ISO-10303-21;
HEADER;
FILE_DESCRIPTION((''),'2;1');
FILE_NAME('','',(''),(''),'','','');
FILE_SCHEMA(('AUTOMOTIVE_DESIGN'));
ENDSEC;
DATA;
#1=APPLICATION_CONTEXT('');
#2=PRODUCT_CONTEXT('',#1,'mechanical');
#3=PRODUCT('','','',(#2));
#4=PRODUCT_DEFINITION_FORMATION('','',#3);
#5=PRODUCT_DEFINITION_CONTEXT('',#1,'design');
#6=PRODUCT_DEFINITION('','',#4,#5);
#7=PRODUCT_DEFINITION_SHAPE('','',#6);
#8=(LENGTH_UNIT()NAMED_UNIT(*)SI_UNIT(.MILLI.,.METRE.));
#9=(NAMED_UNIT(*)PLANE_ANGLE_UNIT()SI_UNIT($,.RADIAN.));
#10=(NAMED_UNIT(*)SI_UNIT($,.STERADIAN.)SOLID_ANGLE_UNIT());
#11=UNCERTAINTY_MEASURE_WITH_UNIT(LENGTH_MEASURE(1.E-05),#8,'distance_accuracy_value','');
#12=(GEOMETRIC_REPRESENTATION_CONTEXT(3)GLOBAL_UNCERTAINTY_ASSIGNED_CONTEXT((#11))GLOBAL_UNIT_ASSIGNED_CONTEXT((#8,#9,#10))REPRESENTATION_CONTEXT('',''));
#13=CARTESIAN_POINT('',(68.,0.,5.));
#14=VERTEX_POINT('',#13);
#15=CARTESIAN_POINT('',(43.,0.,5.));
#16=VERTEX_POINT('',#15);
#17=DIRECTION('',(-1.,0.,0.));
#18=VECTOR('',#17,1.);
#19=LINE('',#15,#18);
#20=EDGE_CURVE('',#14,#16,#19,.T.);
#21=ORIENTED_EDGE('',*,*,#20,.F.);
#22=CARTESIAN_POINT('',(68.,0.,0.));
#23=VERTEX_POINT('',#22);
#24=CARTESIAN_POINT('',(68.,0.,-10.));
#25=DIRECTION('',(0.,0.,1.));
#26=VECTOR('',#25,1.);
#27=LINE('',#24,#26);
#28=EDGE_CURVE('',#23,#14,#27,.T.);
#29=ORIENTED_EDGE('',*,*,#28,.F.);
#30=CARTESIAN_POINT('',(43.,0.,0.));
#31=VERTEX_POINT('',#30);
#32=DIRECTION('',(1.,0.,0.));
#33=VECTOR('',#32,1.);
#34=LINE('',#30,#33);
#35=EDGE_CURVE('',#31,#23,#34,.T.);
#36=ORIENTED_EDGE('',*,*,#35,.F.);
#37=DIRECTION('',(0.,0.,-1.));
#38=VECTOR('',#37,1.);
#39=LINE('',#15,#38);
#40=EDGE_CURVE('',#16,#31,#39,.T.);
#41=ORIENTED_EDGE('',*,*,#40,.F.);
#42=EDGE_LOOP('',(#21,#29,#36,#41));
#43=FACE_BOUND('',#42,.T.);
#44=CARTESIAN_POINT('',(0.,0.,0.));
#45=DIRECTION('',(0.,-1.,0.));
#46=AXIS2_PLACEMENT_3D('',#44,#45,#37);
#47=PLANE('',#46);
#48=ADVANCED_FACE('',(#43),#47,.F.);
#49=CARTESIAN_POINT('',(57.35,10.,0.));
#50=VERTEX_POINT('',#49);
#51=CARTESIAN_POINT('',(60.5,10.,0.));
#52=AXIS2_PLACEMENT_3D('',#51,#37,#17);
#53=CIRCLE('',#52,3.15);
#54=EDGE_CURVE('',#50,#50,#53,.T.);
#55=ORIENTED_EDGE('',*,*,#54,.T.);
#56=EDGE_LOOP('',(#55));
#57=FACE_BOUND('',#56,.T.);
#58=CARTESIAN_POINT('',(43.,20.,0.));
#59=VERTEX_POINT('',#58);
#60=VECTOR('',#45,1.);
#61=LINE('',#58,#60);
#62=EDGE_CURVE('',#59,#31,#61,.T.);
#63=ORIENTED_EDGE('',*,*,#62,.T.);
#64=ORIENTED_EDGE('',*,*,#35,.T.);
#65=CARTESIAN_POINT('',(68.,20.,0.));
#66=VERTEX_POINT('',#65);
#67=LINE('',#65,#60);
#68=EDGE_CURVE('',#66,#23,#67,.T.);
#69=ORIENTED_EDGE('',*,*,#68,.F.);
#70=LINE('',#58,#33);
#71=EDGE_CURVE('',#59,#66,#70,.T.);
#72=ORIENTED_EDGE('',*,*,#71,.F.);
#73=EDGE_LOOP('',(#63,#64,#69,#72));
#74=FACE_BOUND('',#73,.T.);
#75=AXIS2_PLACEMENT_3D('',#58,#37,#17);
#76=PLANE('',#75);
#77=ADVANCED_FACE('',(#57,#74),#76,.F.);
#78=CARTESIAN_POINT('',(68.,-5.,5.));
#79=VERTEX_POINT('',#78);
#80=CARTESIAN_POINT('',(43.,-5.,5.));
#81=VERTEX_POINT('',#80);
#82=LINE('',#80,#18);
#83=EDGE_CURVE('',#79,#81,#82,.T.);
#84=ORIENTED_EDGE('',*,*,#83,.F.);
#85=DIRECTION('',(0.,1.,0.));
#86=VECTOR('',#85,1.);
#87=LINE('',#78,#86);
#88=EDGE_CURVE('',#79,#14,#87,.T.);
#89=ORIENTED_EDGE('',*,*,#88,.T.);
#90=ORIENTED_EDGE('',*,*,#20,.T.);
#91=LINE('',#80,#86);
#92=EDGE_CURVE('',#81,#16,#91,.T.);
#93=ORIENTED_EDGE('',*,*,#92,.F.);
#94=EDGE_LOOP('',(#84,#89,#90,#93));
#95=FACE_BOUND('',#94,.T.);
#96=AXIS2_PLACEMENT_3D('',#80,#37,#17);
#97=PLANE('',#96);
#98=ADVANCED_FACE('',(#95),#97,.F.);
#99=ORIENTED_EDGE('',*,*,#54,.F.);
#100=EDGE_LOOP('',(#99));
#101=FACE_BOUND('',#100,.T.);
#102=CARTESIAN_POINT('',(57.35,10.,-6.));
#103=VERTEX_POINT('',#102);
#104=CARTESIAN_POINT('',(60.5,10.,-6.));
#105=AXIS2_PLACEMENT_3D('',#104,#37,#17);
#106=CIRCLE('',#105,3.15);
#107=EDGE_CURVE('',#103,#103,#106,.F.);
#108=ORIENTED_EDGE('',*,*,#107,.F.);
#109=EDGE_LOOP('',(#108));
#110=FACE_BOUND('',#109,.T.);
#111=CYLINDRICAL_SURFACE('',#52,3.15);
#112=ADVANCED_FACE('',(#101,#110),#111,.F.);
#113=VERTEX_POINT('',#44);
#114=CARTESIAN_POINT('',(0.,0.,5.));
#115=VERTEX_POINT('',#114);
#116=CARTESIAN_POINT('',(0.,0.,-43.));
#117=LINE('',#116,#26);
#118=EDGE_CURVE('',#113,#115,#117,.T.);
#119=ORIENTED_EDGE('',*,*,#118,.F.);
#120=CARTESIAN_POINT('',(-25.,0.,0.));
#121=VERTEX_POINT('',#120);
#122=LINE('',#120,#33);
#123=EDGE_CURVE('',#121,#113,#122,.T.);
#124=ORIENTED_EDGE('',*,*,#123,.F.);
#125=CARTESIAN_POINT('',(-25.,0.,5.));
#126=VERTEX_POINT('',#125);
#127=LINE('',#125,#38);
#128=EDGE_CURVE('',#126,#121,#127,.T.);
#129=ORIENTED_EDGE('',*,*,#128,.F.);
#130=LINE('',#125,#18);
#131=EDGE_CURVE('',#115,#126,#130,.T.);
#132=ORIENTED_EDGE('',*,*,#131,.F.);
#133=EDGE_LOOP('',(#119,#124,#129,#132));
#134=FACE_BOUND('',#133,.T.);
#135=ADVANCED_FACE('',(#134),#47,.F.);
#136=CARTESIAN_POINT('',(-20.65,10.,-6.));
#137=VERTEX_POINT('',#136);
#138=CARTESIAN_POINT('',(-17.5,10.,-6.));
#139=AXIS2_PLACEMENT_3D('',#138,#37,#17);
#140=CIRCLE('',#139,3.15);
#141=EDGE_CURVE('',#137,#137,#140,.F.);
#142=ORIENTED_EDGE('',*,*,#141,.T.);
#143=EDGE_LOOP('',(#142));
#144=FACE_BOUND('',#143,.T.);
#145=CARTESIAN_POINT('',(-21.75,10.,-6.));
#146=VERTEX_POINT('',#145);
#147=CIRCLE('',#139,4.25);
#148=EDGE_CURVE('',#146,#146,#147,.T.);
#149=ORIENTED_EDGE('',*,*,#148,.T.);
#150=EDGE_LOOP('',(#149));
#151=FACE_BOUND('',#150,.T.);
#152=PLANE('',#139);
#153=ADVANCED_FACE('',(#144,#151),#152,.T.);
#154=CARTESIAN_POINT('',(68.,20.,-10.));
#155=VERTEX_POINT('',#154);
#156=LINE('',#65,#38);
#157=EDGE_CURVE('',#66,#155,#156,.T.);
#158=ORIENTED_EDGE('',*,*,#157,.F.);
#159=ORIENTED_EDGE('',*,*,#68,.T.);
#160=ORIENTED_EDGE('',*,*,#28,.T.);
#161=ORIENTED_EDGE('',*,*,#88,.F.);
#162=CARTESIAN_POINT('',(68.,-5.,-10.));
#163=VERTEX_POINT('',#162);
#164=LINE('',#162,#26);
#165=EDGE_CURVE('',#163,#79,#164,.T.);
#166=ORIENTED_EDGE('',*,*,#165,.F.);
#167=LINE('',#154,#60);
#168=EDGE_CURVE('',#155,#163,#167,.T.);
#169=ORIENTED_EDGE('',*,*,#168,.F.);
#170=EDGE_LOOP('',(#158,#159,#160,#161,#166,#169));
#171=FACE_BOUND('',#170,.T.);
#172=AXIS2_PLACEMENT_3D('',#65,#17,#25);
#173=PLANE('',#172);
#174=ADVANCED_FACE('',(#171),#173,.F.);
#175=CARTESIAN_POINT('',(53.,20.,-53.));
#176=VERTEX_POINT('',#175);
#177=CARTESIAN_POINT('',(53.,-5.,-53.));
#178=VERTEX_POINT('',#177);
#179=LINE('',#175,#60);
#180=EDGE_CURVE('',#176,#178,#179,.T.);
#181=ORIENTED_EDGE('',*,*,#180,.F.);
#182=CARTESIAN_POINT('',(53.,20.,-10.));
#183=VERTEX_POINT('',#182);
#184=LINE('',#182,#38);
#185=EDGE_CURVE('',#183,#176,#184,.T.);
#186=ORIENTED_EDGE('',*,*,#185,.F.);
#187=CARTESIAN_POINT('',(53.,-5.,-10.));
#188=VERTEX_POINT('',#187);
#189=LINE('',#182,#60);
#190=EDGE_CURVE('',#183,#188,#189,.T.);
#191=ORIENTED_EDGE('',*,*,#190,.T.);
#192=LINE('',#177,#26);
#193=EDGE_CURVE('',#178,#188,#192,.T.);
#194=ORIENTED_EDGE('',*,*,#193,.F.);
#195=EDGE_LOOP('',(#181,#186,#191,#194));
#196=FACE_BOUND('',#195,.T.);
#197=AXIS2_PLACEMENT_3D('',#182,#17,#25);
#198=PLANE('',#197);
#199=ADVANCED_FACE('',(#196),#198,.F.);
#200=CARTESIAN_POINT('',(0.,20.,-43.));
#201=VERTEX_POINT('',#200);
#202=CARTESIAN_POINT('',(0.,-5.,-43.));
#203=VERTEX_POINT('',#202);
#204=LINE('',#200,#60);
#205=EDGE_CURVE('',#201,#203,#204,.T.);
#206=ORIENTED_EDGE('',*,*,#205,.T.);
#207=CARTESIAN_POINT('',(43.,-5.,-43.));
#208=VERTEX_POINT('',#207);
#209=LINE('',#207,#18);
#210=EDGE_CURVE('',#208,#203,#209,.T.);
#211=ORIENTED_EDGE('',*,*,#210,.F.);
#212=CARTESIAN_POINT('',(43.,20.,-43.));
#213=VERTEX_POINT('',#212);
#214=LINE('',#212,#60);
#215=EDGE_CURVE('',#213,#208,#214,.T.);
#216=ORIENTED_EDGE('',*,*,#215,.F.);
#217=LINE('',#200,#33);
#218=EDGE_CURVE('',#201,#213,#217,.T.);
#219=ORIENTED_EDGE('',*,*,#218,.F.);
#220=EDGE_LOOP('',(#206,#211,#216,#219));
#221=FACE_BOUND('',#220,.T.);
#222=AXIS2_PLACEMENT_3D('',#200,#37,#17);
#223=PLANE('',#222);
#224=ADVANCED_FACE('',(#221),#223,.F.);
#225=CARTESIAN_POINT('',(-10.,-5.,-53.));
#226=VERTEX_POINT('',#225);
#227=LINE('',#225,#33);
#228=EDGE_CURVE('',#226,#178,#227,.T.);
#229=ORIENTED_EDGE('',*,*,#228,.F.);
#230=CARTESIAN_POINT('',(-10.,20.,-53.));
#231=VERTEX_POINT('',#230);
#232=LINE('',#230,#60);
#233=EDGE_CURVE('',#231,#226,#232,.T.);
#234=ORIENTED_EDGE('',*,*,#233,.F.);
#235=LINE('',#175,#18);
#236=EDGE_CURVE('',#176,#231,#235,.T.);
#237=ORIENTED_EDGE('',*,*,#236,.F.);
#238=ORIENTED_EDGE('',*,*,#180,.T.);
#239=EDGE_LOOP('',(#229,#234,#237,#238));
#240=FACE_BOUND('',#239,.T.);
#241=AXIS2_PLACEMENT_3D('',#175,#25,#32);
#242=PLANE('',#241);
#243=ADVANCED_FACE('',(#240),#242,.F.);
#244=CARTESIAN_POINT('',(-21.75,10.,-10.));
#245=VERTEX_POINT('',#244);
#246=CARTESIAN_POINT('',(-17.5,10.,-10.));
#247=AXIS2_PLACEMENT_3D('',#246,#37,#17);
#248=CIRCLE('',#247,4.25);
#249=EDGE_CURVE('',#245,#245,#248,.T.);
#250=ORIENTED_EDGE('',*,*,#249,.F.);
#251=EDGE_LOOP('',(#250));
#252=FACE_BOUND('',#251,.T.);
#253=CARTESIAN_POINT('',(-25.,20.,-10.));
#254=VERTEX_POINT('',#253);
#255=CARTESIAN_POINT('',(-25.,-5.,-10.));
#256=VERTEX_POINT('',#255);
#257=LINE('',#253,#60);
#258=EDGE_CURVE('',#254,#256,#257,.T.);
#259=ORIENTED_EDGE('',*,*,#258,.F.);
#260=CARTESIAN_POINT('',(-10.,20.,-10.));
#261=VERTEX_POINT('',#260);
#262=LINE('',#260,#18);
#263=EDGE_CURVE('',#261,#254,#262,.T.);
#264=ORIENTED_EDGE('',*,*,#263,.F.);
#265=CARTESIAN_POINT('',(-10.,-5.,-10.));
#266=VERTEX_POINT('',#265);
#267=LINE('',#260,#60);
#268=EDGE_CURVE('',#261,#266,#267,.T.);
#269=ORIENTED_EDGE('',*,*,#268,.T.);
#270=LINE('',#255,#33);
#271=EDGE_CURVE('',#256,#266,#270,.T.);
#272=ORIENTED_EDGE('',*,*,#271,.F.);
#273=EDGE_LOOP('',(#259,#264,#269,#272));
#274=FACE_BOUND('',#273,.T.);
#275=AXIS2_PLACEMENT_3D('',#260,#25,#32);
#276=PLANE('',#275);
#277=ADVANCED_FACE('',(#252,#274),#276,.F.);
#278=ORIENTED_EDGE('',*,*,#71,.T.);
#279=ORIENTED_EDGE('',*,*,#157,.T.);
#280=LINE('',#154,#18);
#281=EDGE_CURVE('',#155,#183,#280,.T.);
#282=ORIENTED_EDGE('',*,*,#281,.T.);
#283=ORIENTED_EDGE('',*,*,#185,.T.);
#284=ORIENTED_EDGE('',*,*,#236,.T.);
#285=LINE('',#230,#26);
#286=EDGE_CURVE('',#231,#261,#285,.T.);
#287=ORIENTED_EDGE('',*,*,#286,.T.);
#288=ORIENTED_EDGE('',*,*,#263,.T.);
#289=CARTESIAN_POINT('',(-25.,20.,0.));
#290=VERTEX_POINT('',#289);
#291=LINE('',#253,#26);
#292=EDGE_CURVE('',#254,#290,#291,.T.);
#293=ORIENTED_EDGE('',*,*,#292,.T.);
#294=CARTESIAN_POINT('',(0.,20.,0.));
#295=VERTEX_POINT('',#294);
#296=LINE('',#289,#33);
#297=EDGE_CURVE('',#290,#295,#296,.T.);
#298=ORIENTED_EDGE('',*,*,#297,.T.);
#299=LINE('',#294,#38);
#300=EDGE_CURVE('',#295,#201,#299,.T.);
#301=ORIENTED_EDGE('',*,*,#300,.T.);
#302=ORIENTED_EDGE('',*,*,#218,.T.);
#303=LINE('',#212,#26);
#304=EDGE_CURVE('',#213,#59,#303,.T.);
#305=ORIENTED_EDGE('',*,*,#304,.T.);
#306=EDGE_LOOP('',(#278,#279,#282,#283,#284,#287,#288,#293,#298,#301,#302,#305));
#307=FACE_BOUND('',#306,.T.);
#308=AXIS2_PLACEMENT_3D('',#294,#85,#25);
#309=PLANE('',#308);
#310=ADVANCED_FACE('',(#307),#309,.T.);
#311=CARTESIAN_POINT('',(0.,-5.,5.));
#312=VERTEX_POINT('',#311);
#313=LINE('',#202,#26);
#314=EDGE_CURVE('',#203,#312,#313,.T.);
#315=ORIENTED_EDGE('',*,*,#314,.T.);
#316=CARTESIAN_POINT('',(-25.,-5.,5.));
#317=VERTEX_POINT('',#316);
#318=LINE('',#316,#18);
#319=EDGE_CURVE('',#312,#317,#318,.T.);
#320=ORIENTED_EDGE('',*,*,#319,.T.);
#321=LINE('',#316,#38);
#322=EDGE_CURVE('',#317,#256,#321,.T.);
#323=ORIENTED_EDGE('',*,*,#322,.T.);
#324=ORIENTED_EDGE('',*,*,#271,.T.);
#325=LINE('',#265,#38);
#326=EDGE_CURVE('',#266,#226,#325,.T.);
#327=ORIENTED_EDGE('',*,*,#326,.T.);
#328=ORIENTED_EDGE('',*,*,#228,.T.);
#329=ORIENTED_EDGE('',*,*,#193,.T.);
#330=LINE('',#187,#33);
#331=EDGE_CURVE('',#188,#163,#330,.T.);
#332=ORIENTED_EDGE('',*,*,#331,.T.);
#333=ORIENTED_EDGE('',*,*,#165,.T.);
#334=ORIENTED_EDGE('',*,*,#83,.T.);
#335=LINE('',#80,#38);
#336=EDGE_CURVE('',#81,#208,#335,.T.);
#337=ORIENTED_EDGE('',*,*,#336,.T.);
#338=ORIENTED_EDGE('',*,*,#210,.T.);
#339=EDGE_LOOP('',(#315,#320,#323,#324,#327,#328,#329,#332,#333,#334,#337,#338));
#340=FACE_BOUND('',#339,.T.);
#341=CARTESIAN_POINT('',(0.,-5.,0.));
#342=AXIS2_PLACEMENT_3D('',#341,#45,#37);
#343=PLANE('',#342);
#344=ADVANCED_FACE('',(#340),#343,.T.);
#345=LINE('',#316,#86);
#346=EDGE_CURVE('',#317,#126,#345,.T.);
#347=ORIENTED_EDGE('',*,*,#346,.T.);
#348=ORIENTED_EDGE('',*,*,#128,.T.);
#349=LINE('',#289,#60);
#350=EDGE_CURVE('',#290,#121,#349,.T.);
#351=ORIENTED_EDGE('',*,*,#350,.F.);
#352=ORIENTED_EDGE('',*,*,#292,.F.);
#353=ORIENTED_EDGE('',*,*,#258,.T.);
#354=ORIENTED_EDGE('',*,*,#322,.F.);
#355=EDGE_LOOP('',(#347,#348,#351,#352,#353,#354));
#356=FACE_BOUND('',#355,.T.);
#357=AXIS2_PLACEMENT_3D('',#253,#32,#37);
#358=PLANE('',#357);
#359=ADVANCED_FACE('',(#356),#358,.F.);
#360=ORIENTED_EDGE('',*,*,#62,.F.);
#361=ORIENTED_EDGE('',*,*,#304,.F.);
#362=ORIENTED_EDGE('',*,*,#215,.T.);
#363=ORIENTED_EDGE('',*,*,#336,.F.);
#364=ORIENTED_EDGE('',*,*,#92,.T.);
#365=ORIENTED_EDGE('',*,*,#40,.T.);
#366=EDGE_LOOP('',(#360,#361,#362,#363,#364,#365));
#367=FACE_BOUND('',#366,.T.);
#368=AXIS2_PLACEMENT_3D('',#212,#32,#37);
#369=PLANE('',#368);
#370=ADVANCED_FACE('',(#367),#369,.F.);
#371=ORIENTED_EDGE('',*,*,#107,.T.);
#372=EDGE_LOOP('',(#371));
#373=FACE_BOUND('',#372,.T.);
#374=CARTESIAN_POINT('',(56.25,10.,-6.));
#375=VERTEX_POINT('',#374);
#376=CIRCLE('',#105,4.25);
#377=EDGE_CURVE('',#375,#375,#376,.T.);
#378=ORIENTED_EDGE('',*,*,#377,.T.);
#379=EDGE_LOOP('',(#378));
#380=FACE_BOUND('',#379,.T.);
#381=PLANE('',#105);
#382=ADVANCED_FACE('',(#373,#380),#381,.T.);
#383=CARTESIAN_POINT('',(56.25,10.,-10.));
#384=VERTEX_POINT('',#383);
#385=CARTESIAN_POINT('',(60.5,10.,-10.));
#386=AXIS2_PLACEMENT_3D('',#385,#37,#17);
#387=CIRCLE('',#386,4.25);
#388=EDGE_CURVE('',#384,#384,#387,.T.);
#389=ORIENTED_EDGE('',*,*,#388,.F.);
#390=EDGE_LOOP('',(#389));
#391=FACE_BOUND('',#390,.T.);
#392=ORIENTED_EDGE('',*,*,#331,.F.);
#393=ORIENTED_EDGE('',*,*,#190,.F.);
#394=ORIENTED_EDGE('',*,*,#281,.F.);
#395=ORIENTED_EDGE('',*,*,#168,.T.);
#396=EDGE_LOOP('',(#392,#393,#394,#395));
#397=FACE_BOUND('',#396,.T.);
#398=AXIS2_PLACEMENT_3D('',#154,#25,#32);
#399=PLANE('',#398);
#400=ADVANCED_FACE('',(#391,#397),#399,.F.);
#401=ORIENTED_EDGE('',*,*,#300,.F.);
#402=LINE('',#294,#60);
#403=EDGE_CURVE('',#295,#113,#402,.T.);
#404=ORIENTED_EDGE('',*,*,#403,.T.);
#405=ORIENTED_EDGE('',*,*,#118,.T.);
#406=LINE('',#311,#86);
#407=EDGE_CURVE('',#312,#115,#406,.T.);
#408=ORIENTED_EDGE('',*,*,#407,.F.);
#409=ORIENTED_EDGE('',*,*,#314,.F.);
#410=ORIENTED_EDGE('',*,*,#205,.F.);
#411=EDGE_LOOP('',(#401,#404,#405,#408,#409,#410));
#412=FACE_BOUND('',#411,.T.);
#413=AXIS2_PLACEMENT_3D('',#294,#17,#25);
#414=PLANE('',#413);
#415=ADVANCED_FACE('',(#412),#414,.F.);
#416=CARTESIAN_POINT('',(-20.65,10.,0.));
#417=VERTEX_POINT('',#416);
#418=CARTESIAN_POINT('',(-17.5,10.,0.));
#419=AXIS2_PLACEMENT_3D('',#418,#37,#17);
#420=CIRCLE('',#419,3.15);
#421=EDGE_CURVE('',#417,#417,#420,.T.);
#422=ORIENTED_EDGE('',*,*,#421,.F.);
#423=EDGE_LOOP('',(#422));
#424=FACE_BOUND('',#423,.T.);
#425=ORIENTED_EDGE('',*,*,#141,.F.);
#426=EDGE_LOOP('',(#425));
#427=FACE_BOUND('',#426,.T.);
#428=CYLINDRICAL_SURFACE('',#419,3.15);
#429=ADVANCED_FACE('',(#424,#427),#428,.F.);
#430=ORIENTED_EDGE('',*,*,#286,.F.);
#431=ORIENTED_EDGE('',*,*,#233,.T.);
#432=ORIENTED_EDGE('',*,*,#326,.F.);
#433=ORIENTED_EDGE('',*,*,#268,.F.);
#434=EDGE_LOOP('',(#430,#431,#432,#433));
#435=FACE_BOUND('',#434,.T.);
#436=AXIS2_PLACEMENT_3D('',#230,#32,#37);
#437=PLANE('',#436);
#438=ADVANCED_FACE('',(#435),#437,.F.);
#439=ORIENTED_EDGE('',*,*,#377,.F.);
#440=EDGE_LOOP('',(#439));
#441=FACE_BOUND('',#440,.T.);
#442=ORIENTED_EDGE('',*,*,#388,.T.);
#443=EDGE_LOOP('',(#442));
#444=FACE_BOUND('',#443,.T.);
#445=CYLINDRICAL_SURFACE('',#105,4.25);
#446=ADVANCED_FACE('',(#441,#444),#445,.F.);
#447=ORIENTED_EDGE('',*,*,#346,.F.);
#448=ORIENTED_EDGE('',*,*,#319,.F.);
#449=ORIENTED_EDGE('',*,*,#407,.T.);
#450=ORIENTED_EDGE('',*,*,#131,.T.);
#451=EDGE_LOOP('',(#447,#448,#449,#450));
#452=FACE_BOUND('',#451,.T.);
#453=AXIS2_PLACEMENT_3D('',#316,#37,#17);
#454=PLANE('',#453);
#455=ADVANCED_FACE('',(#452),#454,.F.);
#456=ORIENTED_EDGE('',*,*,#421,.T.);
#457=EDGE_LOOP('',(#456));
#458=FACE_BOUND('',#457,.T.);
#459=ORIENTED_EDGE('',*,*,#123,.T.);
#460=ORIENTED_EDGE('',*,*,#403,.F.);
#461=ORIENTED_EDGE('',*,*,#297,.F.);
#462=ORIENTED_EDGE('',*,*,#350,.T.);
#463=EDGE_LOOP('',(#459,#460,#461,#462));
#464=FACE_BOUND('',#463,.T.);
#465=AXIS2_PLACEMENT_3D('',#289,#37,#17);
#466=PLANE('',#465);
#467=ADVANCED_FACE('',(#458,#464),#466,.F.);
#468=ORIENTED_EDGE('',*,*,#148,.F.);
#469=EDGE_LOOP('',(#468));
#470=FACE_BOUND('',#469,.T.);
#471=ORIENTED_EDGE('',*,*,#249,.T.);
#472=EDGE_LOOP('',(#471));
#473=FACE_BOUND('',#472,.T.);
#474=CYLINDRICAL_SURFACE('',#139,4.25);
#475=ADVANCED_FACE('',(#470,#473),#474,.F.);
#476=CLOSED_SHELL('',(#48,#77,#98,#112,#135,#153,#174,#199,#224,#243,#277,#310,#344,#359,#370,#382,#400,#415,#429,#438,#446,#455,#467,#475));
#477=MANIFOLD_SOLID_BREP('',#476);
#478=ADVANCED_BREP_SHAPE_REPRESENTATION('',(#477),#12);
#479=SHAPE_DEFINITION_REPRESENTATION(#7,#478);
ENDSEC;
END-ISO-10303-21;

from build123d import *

# Parameters (mm, degrees)
BOSS_EXTRUDE1_DEPTH = 20
SKETCH2_R           = 3.15
CUT_EXTRUDE2_DEPTH  = 11
SKETCH3_R           = 4.25
CUT_EXTRUDE3_DEPTH  = 4
BOSS_EXTRUDE2_DEPTH = 5


with BuildPart() as part:
    # Sketch1 → Boss-Extrude1 (new body)
    with BuildSketch(Plane(origin=(0, 0, 0), x_dir=(1, 0, 0), z_dir=(0, 1, 0))):
        Polygon((0, 0), (0, 43), (43, 43), (43, 0), (68, 0), (68, 10), (53, 10), (53, 53), (-10, 53), (-10, 10), (-25, 10), (-25, 0), align=None)
    extrude(amount=BOSS_EXTRUDE1_DEPTH)

    # Sketch2 → Cut-Extrude2 (cut, through all)
    with BuildSketch(Plane(origin=(0, 0, -10), x_dir=(-1, 0, 0), z_dir=(0, 0, -1))):
        with Locations((-60.5, 10)):
            Circle(SKETCH2_R)
        with Locations((17.5, 10)):
            Circle(SKETCH2_R)
    extrude(amount=-CUT_EXTRUDE2_DEPTH, mode=Mode.SUBTRACT)

    # Sketch3 → Cut-Extrude3 (cut)
    with BuildSketch(Plane(origin=(0, 0, -10), x_dir=(-1, 0, 0), z_dir=(0, 0, -1))):
        with Locations((17.5, 10)):
            Circle(SKETCH3_R)
        with Locations((-60.5, 10)):
            Circle(SKETCH3_R)
    extrude(amount=-CUT_EXTRUDE3_DEPTH, mode=Mode.SUBTRACT)

    # Sketch4 → Boss-Extrude2 (add)
    with BuildSketch(Plane.XZ):
        Polygon((-25, 5), (0, 5), (0, -43), (43, -43), (43, 5), (68, 5), (68, -10), (53, -10), (53, -53), (-10, -53), (-10, -10), (-25, -10), align=None)
    extrude(amount=BOSS_EXTRUDE2_DEPTH)


solid = part.part
